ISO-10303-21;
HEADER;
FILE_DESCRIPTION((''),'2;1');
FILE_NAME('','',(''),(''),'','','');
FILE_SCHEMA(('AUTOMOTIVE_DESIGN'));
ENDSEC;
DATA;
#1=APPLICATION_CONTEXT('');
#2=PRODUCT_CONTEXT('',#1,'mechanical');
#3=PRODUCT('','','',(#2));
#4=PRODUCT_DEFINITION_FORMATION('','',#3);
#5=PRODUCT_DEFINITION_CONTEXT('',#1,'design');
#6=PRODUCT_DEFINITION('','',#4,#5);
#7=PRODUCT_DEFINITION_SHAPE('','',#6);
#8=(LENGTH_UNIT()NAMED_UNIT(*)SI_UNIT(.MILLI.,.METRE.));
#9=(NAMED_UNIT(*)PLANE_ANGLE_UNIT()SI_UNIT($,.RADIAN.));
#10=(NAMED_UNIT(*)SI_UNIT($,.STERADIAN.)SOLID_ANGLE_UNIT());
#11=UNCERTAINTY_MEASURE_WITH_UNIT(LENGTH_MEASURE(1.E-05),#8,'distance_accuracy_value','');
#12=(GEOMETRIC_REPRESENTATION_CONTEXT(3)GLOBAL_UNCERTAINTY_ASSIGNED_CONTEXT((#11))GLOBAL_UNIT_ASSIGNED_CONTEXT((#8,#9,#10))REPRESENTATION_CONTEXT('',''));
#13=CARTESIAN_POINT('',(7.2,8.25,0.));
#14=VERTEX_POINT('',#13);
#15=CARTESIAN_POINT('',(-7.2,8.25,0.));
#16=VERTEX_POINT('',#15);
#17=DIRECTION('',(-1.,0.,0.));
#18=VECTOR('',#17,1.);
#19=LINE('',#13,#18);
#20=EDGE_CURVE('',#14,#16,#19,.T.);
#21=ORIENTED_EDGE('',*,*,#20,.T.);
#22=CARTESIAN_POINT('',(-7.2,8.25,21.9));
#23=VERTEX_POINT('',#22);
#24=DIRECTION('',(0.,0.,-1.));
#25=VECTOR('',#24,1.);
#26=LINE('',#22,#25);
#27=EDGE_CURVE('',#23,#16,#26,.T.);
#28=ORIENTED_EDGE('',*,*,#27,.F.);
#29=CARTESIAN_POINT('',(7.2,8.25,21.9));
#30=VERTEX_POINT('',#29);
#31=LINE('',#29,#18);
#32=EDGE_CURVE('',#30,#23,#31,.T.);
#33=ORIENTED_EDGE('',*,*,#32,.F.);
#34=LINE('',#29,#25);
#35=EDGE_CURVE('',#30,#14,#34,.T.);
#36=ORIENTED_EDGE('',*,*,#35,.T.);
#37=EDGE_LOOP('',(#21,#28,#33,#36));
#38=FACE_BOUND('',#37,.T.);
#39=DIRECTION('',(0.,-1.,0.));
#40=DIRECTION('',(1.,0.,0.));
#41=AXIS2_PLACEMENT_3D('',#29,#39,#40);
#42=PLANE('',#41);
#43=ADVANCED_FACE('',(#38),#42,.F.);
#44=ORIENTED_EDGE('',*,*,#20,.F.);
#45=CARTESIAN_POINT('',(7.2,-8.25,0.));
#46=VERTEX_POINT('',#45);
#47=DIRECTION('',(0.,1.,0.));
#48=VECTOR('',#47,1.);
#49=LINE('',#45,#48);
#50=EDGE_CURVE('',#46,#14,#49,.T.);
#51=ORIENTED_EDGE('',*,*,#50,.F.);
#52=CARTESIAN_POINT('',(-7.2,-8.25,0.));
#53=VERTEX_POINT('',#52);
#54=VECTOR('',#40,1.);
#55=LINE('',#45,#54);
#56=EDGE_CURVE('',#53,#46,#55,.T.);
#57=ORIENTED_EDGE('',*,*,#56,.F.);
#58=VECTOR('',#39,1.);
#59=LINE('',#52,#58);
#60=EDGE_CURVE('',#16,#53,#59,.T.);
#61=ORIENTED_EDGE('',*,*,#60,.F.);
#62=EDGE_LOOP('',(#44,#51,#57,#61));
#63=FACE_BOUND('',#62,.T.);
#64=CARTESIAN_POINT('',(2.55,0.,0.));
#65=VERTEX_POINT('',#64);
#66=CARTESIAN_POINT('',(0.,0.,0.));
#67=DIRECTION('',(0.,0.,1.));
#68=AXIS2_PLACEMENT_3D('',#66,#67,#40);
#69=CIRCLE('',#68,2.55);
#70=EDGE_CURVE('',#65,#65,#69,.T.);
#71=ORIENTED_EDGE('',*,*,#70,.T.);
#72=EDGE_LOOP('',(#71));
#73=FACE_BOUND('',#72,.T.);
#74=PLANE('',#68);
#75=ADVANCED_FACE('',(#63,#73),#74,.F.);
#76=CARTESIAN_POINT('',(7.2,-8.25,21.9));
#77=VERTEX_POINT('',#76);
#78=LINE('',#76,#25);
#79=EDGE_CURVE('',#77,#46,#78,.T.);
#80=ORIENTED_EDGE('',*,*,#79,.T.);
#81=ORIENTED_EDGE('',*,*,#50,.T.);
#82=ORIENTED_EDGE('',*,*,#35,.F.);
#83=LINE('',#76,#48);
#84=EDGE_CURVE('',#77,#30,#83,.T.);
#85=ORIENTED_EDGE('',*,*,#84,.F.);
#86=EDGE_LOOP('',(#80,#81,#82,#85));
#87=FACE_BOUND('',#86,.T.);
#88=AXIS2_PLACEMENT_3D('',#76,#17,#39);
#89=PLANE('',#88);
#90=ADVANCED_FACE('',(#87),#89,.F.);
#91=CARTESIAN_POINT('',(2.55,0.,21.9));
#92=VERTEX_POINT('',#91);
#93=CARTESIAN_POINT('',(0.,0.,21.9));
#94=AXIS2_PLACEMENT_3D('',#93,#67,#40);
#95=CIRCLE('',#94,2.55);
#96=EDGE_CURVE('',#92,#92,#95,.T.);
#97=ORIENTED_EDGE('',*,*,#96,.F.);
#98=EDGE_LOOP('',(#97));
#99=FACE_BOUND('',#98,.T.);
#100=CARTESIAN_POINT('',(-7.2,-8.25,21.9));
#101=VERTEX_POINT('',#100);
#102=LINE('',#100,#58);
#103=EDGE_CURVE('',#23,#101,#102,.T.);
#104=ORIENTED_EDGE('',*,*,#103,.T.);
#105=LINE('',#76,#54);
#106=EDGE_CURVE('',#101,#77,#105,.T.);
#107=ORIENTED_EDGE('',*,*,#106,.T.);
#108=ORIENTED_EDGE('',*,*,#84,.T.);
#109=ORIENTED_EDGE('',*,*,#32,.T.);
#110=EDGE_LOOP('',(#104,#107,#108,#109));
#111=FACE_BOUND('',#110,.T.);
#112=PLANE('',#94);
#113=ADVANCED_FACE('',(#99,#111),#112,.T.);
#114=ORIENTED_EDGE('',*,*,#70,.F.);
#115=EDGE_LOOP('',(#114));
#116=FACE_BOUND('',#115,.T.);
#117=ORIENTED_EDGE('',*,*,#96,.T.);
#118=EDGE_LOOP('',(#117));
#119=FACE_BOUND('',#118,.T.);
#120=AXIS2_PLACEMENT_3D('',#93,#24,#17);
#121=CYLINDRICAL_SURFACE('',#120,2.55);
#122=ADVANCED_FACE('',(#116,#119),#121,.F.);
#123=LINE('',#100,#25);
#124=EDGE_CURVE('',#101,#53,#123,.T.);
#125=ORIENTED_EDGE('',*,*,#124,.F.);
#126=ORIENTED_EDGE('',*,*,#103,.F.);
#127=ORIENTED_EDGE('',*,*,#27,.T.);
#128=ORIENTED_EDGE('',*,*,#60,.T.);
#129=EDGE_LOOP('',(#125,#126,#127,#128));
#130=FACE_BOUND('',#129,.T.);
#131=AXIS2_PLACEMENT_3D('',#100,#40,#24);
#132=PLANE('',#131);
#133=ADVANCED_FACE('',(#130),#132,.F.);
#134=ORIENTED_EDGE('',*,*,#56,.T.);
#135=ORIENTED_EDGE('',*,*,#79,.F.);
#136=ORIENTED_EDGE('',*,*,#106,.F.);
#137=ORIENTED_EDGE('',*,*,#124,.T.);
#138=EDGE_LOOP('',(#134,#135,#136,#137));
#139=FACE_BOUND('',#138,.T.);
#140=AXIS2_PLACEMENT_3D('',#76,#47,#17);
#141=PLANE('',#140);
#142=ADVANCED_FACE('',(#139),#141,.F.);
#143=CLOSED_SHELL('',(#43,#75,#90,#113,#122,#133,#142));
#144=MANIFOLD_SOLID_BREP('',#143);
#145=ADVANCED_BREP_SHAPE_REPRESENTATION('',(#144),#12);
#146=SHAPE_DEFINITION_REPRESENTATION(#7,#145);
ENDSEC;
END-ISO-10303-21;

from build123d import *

# Parameters (mm, degrees)
SKETCH_1_W      = 48
SKETCH_1_H      = 55
SKETCH_1_R      = 8.5
EXTRUDE_1_DEPTH = 73
SCALE_1_SCALE   = 0.3


with BuildPart() as part:
    # 草图1 → 凸台-拉伸1 (new body)
    with BuildSketch(Plane.XY):
        Rectangle(SKETCH_1_W, SKETCH_1_H)
        Circle(SKETCH_1_R, mode=Mode.SUBTRACT)
    extrude(amount=EXTRUDE_1_DEPTH)


with BuildPart() as part_1:
    # 缩放比例1: scaled about (0, 0, 0)
    add(part.part.scale(SCALE_1_SCALE))


solid = part_1.part
